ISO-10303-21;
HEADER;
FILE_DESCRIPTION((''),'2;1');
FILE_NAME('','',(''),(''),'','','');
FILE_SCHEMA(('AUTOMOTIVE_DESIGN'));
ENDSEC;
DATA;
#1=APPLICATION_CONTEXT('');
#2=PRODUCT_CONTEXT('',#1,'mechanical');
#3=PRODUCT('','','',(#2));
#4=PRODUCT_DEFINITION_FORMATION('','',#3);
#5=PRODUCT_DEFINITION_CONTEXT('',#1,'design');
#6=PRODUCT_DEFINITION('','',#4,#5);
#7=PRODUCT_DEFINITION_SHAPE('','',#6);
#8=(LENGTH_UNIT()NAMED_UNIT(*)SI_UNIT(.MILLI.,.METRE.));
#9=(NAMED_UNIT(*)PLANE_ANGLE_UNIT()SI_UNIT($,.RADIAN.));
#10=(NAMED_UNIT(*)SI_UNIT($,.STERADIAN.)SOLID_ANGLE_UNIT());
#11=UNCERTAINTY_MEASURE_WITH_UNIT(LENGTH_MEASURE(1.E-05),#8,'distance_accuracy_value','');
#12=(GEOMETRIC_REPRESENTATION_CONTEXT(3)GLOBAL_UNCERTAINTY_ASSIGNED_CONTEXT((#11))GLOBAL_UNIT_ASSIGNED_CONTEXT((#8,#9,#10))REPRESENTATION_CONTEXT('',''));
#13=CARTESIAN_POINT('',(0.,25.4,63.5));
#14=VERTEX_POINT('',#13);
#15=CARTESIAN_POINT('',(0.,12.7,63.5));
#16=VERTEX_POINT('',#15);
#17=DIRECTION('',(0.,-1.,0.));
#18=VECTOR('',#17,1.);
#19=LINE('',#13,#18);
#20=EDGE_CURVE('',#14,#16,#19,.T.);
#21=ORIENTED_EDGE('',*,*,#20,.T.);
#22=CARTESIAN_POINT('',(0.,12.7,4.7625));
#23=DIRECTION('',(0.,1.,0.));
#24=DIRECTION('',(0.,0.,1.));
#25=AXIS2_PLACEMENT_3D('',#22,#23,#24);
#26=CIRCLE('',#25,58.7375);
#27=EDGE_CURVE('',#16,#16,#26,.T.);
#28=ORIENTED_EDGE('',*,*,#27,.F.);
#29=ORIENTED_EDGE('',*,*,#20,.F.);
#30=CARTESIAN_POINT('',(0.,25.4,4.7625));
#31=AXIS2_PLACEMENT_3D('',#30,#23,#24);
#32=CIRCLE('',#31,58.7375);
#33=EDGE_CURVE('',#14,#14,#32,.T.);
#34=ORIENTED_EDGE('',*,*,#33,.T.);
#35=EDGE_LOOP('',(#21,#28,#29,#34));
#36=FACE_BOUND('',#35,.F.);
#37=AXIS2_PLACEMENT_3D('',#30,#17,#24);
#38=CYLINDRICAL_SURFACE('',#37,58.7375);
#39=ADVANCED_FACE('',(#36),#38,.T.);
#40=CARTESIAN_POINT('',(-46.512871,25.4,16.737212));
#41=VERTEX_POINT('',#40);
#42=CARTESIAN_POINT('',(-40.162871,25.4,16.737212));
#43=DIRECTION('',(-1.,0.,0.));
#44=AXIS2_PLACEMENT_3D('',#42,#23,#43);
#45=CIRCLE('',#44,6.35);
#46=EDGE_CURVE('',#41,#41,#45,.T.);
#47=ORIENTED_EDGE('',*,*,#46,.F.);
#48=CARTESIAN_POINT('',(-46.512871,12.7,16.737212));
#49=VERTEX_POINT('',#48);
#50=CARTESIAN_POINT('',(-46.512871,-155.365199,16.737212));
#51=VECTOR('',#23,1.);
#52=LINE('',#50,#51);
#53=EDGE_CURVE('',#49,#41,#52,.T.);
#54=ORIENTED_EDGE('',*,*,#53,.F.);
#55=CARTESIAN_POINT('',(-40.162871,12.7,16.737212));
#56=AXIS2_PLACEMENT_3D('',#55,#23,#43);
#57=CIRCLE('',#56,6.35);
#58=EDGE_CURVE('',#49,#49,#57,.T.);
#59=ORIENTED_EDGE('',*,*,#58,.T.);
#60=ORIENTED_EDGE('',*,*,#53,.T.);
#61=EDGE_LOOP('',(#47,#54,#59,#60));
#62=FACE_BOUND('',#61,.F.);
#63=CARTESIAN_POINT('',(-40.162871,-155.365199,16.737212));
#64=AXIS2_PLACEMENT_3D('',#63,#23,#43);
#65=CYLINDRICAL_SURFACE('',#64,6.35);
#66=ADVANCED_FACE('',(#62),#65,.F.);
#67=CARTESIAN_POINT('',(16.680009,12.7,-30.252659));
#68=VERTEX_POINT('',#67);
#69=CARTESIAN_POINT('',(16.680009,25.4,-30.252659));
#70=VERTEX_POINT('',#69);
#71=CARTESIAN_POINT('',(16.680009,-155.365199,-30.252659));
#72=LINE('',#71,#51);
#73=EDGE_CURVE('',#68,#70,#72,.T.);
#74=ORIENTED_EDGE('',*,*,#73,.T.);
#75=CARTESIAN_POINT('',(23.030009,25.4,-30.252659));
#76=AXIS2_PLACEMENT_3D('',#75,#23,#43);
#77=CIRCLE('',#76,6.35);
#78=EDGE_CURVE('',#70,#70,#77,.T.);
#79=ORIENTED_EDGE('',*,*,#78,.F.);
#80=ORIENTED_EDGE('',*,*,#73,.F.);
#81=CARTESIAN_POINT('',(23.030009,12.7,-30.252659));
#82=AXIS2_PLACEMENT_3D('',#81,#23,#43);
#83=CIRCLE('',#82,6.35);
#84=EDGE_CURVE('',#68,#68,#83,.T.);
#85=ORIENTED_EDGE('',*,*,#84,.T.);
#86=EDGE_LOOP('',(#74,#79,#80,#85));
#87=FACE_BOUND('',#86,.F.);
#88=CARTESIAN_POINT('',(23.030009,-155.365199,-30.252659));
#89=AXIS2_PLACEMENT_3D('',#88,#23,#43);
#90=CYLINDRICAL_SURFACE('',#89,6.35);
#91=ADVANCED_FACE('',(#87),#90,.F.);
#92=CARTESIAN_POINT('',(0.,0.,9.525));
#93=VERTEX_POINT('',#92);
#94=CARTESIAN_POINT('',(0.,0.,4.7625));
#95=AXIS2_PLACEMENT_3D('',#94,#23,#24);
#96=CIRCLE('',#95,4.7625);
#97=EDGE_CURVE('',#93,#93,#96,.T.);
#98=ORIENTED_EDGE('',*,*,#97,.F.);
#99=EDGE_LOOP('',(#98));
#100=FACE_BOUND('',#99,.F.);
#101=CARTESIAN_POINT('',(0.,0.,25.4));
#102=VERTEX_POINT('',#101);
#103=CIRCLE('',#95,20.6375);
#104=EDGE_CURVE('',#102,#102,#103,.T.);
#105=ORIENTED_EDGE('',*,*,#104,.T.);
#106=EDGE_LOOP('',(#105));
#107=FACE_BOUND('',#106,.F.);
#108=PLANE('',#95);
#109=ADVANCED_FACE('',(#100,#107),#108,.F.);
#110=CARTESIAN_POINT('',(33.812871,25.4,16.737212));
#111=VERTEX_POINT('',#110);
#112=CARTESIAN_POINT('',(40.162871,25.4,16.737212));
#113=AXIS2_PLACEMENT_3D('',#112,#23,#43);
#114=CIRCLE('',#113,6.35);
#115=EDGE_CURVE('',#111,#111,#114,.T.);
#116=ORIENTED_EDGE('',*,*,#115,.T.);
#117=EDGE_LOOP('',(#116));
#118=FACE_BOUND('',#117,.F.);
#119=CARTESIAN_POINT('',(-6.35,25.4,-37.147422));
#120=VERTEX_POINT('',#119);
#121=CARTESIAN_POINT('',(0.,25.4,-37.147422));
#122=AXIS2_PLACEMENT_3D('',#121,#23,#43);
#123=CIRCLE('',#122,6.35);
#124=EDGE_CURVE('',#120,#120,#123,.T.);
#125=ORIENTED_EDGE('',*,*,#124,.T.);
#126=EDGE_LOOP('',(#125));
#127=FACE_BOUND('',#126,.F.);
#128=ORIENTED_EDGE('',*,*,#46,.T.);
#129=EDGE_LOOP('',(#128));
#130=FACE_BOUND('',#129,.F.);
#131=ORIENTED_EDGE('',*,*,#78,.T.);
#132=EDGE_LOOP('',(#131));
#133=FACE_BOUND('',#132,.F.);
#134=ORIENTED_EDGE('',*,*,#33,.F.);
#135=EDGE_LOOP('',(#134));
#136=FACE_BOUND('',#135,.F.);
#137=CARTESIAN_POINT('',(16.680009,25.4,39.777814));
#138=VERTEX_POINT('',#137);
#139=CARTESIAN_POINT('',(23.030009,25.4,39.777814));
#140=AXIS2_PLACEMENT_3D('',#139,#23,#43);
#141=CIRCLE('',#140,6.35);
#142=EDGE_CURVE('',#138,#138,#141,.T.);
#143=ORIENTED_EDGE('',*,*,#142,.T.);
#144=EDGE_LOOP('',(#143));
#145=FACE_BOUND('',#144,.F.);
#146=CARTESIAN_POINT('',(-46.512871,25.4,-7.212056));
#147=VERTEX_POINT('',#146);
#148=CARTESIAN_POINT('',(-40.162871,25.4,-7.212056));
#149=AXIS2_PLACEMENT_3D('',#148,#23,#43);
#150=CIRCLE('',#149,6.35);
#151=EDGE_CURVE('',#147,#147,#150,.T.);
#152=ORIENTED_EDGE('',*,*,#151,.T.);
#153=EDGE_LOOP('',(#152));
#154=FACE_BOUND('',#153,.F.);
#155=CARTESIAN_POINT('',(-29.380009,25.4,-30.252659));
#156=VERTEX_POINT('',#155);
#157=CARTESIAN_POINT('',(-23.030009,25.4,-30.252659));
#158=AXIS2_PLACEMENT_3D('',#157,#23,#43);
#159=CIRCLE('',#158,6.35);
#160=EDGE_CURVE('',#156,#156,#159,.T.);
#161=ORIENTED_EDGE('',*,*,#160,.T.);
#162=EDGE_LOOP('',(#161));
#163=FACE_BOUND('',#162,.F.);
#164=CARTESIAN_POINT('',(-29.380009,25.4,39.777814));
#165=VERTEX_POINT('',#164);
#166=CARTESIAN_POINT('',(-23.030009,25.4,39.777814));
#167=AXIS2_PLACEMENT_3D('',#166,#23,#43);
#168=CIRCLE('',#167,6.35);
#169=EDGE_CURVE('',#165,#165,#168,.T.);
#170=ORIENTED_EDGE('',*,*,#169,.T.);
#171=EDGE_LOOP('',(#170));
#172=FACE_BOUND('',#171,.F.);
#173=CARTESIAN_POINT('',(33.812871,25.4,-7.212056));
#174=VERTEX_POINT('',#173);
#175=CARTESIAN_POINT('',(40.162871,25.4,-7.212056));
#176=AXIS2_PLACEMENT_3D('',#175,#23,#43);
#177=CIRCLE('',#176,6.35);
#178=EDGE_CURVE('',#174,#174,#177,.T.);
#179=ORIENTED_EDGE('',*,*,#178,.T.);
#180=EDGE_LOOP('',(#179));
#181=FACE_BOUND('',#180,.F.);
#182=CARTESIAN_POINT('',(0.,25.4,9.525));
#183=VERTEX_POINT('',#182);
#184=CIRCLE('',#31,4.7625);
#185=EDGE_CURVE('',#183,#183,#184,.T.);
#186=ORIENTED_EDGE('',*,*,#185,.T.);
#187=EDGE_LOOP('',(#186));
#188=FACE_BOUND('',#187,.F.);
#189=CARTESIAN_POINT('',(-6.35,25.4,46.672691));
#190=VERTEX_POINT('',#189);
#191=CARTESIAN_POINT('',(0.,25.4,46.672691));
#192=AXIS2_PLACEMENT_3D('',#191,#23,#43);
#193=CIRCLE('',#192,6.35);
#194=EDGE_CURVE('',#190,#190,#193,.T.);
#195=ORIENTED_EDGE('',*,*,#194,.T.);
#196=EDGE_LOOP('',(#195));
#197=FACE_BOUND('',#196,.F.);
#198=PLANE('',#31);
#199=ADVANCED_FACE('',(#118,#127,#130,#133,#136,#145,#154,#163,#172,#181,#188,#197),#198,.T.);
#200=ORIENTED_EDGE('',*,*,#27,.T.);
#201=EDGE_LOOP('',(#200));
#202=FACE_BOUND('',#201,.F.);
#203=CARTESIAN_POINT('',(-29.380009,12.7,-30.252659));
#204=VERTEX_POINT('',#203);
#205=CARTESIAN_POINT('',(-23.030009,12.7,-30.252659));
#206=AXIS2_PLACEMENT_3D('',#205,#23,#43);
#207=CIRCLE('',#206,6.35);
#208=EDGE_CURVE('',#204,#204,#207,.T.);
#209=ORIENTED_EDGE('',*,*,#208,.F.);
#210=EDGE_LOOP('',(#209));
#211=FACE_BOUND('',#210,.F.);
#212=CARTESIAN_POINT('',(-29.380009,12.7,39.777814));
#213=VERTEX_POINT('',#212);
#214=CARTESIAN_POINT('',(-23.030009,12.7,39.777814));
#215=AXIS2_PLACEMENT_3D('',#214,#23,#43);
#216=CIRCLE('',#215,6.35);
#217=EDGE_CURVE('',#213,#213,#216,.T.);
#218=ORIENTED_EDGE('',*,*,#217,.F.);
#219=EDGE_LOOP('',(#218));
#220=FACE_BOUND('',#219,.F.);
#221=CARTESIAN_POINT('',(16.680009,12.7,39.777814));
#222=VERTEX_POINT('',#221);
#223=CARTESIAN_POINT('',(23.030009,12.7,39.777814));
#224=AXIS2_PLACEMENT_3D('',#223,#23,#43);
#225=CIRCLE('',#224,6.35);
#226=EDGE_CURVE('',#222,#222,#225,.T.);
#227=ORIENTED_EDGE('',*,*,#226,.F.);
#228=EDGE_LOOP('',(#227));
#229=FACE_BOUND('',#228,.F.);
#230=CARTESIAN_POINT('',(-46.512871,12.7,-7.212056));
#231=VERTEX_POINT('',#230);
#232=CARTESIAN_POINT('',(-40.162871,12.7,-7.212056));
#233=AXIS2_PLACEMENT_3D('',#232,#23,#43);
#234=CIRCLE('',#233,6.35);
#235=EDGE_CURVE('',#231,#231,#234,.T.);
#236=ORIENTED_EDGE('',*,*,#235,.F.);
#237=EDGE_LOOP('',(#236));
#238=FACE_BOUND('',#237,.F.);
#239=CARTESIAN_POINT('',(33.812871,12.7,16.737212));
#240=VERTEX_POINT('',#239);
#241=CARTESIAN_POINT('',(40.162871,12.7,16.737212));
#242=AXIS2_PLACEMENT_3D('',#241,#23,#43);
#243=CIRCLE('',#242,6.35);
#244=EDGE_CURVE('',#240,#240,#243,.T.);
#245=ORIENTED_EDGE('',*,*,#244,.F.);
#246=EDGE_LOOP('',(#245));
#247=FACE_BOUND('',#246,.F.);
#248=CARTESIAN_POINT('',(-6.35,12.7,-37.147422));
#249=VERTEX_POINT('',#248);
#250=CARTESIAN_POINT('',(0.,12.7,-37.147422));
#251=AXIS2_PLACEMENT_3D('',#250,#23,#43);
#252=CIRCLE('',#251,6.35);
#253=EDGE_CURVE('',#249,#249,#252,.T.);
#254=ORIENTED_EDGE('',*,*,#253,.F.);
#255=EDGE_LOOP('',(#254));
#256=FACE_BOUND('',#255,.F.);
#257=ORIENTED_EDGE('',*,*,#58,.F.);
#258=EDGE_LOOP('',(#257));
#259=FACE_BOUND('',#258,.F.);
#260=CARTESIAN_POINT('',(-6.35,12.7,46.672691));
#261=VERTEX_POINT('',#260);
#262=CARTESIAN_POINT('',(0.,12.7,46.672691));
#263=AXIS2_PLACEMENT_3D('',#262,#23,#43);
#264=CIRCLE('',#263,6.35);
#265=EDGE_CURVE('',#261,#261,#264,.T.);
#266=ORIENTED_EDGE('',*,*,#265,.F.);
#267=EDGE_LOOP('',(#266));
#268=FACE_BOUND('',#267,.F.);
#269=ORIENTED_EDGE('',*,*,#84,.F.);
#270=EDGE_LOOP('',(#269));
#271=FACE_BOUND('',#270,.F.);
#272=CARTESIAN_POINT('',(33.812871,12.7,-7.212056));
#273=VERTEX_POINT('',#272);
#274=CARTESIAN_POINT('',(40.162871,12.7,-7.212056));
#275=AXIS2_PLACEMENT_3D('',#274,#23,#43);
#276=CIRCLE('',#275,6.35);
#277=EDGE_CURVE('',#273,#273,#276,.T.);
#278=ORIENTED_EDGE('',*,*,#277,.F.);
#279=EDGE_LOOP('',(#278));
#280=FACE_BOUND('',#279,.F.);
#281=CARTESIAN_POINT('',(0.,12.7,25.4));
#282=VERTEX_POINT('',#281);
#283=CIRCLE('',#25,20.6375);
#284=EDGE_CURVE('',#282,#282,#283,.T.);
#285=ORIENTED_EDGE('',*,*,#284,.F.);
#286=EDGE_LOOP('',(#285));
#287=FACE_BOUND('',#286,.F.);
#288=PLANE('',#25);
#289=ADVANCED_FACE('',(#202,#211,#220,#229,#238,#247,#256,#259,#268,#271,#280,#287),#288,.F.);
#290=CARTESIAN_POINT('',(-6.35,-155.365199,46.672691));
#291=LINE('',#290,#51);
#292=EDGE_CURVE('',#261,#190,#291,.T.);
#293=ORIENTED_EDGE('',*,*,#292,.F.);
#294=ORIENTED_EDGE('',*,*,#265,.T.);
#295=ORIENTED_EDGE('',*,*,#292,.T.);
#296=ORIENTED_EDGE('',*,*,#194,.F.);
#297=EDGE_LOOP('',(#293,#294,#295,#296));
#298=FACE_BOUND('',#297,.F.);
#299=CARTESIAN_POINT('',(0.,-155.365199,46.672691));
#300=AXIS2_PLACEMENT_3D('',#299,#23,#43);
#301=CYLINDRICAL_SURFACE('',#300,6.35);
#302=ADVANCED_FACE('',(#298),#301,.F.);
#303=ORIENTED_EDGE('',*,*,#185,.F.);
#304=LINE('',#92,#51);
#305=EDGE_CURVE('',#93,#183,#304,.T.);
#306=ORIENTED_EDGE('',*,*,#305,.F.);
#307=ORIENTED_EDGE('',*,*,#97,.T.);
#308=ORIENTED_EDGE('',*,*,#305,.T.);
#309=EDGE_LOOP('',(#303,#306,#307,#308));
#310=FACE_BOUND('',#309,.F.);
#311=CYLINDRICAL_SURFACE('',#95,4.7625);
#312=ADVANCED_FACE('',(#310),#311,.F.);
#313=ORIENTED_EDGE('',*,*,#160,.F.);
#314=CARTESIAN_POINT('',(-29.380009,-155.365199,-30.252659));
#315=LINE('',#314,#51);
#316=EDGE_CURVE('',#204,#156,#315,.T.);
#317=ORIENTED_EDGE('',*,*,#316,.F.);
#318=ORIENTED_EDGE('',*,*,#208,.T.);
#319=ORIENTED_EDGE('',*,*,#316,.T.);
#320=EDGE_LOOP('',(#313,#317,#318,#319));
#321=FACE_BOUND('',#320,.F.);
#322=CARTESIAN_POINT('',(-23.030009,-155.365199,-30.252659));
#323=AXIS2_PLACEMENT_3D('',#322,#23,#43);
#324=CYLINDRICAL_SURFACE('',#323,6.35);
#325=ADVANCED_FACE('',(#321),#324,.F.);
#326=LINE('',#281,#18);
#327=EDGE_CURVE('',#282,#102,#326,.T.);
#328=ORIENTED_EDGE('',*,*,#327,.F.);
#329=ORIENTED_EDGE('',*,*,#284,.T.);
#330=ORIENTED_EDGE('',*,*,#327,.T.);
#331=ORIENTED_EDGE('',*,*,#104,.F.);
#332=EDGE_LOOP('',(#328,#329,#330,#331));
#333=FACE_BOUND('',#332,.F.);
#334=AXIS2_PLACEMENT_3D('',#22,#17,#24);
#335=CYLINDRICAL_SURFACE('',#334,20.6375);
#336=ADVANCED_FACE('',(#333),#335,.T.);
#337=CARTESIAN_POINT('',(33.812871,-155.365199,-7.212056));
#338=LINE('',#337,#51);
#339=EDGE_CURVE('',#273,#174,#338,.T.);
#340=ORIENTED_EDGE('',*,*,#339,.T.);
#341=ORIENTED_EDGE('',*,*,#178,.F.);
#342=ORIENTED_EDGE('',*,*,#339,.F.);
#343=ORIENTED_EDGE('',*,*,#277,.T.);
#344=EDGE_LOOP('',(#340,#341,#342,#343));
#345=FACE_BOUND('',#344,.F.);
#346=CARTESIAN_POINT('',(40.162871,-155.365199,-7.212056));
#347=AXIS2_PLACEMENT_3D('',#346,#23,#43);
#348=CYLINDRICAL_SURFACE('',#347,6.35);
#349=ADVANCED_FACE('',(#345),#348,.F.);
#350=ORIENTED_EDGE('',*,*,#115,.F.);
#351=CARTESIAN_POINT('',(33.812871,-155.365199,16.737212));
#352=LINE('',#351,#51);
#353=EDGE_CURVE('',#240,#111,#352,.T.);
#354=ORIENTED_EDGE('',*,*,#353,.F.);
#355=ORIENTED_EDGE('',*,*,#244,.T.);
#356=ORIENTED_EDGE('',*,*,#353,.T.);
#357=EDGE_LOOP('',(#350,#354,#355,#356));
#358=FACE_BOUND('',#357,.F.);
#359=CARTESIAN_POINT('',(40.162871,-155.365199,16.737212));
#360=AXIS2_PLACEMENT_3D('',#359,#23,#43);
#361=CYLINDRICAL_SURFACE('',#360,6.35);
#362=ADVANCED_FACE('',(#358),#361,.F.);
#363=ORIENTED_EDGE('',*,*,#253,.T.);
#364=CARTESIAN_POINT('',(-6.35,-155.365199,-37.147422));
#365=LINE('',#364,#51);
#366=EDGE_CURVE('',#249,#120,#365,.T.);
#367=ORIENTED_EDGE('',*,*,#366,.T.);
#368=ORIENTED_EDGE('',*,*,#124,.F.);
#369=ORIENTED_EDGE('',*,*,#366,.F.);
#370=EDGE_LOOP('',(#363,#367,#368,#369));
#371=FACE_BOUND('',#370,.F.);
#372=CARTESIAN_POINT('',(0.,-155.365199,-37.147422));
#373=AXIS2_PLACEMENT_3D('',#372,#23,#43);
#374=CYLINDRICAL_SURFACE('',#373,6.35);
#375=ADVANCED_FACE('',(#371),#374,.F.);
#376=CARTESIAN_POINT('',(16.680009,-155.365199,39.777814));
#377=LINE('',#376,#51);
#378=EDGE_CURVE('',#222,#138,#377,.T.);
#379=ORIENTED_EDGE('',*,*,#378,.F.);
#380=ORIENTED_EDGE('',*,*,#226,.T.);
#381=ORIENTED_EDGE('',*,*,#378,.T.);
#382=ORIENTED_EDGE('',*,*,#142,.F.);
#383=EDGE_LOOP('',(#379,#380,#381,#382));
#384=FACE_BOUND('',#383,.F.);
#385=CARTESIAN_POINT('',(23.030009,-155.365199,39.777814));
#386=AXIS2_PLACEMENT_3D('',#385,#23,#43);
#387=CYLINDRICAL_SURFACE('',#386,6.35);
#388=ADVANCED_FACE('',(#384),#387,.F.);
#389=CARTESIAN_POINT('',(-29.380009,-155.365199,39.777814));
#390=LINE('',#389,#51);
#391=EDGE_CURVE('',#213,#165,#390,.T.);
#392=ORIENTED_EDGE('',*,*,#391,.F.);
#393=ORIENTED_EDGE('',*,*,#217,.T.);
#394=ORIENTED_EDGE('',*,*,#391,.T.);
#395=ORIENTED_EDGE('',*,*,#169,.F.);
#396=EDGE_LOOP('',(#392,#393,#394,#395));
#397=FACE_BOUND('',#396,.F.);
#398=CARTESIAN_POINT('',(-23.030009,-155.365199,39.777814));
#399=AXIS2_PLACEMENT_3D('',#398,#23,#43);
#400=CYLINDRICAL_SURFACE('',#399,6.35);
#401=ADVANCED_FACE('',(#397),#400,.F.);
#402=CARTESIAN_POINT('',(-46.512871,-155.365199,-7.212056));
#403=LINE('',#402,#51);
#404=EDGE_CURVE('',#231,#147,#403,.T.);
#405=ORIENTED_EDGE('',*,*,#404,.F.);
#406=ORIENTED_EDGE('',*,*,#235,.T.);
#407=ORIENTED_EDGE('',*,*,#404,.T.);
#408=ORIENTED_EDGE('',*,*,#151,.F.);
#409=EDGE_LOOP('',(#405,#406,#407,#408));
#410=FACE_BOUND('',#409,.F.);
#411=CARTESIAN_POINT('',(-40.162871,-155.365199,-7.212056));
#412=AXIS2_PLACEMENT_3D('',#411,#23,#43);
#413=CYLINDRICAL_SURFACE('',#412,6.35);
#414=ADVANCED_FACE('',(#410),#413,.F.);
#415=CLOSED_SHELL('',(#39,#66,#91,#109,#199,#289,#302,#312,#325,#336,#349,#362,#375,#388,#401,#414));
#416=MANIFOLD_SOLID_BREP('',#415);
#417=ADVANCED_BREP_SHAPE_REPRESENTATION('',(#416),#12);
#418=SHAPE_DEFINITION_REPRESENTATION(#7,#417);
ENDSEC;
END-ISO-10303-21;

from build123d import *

# Parameters (mm, degrees)
F5_D = 12.7


with BuildPart() as f1:
    # F0 (on Right) → F1 (revolve)
    with BuildSketch(Plane.YZ):
        Polygon((0, 25.4), (0, 9.525), (25.4, 9.525), (25.4, 63.5), (12.7, 63.5), (12.7, 25.4), align=None)
    revolve(axis=Axis((0, 12.7, 4.7625), (0, 1, 0)))

    # F5 (through all)
    with Locations(Plane.XZ.offset(-12.7)):
        with Locations((0, 46.672691), (-23.030009, 39.777814), (-40.162871, 16.737212), (-40.162871, -7.212056), (-23.030009, -30.252659), (0, -37.147422), (23.030009, -30.252659), (40.162871, -7.212056), (40.162871, 16.737212), (23.030009, 39.777814)):
            Hole(F5_D / 2)


solid = f1.part
